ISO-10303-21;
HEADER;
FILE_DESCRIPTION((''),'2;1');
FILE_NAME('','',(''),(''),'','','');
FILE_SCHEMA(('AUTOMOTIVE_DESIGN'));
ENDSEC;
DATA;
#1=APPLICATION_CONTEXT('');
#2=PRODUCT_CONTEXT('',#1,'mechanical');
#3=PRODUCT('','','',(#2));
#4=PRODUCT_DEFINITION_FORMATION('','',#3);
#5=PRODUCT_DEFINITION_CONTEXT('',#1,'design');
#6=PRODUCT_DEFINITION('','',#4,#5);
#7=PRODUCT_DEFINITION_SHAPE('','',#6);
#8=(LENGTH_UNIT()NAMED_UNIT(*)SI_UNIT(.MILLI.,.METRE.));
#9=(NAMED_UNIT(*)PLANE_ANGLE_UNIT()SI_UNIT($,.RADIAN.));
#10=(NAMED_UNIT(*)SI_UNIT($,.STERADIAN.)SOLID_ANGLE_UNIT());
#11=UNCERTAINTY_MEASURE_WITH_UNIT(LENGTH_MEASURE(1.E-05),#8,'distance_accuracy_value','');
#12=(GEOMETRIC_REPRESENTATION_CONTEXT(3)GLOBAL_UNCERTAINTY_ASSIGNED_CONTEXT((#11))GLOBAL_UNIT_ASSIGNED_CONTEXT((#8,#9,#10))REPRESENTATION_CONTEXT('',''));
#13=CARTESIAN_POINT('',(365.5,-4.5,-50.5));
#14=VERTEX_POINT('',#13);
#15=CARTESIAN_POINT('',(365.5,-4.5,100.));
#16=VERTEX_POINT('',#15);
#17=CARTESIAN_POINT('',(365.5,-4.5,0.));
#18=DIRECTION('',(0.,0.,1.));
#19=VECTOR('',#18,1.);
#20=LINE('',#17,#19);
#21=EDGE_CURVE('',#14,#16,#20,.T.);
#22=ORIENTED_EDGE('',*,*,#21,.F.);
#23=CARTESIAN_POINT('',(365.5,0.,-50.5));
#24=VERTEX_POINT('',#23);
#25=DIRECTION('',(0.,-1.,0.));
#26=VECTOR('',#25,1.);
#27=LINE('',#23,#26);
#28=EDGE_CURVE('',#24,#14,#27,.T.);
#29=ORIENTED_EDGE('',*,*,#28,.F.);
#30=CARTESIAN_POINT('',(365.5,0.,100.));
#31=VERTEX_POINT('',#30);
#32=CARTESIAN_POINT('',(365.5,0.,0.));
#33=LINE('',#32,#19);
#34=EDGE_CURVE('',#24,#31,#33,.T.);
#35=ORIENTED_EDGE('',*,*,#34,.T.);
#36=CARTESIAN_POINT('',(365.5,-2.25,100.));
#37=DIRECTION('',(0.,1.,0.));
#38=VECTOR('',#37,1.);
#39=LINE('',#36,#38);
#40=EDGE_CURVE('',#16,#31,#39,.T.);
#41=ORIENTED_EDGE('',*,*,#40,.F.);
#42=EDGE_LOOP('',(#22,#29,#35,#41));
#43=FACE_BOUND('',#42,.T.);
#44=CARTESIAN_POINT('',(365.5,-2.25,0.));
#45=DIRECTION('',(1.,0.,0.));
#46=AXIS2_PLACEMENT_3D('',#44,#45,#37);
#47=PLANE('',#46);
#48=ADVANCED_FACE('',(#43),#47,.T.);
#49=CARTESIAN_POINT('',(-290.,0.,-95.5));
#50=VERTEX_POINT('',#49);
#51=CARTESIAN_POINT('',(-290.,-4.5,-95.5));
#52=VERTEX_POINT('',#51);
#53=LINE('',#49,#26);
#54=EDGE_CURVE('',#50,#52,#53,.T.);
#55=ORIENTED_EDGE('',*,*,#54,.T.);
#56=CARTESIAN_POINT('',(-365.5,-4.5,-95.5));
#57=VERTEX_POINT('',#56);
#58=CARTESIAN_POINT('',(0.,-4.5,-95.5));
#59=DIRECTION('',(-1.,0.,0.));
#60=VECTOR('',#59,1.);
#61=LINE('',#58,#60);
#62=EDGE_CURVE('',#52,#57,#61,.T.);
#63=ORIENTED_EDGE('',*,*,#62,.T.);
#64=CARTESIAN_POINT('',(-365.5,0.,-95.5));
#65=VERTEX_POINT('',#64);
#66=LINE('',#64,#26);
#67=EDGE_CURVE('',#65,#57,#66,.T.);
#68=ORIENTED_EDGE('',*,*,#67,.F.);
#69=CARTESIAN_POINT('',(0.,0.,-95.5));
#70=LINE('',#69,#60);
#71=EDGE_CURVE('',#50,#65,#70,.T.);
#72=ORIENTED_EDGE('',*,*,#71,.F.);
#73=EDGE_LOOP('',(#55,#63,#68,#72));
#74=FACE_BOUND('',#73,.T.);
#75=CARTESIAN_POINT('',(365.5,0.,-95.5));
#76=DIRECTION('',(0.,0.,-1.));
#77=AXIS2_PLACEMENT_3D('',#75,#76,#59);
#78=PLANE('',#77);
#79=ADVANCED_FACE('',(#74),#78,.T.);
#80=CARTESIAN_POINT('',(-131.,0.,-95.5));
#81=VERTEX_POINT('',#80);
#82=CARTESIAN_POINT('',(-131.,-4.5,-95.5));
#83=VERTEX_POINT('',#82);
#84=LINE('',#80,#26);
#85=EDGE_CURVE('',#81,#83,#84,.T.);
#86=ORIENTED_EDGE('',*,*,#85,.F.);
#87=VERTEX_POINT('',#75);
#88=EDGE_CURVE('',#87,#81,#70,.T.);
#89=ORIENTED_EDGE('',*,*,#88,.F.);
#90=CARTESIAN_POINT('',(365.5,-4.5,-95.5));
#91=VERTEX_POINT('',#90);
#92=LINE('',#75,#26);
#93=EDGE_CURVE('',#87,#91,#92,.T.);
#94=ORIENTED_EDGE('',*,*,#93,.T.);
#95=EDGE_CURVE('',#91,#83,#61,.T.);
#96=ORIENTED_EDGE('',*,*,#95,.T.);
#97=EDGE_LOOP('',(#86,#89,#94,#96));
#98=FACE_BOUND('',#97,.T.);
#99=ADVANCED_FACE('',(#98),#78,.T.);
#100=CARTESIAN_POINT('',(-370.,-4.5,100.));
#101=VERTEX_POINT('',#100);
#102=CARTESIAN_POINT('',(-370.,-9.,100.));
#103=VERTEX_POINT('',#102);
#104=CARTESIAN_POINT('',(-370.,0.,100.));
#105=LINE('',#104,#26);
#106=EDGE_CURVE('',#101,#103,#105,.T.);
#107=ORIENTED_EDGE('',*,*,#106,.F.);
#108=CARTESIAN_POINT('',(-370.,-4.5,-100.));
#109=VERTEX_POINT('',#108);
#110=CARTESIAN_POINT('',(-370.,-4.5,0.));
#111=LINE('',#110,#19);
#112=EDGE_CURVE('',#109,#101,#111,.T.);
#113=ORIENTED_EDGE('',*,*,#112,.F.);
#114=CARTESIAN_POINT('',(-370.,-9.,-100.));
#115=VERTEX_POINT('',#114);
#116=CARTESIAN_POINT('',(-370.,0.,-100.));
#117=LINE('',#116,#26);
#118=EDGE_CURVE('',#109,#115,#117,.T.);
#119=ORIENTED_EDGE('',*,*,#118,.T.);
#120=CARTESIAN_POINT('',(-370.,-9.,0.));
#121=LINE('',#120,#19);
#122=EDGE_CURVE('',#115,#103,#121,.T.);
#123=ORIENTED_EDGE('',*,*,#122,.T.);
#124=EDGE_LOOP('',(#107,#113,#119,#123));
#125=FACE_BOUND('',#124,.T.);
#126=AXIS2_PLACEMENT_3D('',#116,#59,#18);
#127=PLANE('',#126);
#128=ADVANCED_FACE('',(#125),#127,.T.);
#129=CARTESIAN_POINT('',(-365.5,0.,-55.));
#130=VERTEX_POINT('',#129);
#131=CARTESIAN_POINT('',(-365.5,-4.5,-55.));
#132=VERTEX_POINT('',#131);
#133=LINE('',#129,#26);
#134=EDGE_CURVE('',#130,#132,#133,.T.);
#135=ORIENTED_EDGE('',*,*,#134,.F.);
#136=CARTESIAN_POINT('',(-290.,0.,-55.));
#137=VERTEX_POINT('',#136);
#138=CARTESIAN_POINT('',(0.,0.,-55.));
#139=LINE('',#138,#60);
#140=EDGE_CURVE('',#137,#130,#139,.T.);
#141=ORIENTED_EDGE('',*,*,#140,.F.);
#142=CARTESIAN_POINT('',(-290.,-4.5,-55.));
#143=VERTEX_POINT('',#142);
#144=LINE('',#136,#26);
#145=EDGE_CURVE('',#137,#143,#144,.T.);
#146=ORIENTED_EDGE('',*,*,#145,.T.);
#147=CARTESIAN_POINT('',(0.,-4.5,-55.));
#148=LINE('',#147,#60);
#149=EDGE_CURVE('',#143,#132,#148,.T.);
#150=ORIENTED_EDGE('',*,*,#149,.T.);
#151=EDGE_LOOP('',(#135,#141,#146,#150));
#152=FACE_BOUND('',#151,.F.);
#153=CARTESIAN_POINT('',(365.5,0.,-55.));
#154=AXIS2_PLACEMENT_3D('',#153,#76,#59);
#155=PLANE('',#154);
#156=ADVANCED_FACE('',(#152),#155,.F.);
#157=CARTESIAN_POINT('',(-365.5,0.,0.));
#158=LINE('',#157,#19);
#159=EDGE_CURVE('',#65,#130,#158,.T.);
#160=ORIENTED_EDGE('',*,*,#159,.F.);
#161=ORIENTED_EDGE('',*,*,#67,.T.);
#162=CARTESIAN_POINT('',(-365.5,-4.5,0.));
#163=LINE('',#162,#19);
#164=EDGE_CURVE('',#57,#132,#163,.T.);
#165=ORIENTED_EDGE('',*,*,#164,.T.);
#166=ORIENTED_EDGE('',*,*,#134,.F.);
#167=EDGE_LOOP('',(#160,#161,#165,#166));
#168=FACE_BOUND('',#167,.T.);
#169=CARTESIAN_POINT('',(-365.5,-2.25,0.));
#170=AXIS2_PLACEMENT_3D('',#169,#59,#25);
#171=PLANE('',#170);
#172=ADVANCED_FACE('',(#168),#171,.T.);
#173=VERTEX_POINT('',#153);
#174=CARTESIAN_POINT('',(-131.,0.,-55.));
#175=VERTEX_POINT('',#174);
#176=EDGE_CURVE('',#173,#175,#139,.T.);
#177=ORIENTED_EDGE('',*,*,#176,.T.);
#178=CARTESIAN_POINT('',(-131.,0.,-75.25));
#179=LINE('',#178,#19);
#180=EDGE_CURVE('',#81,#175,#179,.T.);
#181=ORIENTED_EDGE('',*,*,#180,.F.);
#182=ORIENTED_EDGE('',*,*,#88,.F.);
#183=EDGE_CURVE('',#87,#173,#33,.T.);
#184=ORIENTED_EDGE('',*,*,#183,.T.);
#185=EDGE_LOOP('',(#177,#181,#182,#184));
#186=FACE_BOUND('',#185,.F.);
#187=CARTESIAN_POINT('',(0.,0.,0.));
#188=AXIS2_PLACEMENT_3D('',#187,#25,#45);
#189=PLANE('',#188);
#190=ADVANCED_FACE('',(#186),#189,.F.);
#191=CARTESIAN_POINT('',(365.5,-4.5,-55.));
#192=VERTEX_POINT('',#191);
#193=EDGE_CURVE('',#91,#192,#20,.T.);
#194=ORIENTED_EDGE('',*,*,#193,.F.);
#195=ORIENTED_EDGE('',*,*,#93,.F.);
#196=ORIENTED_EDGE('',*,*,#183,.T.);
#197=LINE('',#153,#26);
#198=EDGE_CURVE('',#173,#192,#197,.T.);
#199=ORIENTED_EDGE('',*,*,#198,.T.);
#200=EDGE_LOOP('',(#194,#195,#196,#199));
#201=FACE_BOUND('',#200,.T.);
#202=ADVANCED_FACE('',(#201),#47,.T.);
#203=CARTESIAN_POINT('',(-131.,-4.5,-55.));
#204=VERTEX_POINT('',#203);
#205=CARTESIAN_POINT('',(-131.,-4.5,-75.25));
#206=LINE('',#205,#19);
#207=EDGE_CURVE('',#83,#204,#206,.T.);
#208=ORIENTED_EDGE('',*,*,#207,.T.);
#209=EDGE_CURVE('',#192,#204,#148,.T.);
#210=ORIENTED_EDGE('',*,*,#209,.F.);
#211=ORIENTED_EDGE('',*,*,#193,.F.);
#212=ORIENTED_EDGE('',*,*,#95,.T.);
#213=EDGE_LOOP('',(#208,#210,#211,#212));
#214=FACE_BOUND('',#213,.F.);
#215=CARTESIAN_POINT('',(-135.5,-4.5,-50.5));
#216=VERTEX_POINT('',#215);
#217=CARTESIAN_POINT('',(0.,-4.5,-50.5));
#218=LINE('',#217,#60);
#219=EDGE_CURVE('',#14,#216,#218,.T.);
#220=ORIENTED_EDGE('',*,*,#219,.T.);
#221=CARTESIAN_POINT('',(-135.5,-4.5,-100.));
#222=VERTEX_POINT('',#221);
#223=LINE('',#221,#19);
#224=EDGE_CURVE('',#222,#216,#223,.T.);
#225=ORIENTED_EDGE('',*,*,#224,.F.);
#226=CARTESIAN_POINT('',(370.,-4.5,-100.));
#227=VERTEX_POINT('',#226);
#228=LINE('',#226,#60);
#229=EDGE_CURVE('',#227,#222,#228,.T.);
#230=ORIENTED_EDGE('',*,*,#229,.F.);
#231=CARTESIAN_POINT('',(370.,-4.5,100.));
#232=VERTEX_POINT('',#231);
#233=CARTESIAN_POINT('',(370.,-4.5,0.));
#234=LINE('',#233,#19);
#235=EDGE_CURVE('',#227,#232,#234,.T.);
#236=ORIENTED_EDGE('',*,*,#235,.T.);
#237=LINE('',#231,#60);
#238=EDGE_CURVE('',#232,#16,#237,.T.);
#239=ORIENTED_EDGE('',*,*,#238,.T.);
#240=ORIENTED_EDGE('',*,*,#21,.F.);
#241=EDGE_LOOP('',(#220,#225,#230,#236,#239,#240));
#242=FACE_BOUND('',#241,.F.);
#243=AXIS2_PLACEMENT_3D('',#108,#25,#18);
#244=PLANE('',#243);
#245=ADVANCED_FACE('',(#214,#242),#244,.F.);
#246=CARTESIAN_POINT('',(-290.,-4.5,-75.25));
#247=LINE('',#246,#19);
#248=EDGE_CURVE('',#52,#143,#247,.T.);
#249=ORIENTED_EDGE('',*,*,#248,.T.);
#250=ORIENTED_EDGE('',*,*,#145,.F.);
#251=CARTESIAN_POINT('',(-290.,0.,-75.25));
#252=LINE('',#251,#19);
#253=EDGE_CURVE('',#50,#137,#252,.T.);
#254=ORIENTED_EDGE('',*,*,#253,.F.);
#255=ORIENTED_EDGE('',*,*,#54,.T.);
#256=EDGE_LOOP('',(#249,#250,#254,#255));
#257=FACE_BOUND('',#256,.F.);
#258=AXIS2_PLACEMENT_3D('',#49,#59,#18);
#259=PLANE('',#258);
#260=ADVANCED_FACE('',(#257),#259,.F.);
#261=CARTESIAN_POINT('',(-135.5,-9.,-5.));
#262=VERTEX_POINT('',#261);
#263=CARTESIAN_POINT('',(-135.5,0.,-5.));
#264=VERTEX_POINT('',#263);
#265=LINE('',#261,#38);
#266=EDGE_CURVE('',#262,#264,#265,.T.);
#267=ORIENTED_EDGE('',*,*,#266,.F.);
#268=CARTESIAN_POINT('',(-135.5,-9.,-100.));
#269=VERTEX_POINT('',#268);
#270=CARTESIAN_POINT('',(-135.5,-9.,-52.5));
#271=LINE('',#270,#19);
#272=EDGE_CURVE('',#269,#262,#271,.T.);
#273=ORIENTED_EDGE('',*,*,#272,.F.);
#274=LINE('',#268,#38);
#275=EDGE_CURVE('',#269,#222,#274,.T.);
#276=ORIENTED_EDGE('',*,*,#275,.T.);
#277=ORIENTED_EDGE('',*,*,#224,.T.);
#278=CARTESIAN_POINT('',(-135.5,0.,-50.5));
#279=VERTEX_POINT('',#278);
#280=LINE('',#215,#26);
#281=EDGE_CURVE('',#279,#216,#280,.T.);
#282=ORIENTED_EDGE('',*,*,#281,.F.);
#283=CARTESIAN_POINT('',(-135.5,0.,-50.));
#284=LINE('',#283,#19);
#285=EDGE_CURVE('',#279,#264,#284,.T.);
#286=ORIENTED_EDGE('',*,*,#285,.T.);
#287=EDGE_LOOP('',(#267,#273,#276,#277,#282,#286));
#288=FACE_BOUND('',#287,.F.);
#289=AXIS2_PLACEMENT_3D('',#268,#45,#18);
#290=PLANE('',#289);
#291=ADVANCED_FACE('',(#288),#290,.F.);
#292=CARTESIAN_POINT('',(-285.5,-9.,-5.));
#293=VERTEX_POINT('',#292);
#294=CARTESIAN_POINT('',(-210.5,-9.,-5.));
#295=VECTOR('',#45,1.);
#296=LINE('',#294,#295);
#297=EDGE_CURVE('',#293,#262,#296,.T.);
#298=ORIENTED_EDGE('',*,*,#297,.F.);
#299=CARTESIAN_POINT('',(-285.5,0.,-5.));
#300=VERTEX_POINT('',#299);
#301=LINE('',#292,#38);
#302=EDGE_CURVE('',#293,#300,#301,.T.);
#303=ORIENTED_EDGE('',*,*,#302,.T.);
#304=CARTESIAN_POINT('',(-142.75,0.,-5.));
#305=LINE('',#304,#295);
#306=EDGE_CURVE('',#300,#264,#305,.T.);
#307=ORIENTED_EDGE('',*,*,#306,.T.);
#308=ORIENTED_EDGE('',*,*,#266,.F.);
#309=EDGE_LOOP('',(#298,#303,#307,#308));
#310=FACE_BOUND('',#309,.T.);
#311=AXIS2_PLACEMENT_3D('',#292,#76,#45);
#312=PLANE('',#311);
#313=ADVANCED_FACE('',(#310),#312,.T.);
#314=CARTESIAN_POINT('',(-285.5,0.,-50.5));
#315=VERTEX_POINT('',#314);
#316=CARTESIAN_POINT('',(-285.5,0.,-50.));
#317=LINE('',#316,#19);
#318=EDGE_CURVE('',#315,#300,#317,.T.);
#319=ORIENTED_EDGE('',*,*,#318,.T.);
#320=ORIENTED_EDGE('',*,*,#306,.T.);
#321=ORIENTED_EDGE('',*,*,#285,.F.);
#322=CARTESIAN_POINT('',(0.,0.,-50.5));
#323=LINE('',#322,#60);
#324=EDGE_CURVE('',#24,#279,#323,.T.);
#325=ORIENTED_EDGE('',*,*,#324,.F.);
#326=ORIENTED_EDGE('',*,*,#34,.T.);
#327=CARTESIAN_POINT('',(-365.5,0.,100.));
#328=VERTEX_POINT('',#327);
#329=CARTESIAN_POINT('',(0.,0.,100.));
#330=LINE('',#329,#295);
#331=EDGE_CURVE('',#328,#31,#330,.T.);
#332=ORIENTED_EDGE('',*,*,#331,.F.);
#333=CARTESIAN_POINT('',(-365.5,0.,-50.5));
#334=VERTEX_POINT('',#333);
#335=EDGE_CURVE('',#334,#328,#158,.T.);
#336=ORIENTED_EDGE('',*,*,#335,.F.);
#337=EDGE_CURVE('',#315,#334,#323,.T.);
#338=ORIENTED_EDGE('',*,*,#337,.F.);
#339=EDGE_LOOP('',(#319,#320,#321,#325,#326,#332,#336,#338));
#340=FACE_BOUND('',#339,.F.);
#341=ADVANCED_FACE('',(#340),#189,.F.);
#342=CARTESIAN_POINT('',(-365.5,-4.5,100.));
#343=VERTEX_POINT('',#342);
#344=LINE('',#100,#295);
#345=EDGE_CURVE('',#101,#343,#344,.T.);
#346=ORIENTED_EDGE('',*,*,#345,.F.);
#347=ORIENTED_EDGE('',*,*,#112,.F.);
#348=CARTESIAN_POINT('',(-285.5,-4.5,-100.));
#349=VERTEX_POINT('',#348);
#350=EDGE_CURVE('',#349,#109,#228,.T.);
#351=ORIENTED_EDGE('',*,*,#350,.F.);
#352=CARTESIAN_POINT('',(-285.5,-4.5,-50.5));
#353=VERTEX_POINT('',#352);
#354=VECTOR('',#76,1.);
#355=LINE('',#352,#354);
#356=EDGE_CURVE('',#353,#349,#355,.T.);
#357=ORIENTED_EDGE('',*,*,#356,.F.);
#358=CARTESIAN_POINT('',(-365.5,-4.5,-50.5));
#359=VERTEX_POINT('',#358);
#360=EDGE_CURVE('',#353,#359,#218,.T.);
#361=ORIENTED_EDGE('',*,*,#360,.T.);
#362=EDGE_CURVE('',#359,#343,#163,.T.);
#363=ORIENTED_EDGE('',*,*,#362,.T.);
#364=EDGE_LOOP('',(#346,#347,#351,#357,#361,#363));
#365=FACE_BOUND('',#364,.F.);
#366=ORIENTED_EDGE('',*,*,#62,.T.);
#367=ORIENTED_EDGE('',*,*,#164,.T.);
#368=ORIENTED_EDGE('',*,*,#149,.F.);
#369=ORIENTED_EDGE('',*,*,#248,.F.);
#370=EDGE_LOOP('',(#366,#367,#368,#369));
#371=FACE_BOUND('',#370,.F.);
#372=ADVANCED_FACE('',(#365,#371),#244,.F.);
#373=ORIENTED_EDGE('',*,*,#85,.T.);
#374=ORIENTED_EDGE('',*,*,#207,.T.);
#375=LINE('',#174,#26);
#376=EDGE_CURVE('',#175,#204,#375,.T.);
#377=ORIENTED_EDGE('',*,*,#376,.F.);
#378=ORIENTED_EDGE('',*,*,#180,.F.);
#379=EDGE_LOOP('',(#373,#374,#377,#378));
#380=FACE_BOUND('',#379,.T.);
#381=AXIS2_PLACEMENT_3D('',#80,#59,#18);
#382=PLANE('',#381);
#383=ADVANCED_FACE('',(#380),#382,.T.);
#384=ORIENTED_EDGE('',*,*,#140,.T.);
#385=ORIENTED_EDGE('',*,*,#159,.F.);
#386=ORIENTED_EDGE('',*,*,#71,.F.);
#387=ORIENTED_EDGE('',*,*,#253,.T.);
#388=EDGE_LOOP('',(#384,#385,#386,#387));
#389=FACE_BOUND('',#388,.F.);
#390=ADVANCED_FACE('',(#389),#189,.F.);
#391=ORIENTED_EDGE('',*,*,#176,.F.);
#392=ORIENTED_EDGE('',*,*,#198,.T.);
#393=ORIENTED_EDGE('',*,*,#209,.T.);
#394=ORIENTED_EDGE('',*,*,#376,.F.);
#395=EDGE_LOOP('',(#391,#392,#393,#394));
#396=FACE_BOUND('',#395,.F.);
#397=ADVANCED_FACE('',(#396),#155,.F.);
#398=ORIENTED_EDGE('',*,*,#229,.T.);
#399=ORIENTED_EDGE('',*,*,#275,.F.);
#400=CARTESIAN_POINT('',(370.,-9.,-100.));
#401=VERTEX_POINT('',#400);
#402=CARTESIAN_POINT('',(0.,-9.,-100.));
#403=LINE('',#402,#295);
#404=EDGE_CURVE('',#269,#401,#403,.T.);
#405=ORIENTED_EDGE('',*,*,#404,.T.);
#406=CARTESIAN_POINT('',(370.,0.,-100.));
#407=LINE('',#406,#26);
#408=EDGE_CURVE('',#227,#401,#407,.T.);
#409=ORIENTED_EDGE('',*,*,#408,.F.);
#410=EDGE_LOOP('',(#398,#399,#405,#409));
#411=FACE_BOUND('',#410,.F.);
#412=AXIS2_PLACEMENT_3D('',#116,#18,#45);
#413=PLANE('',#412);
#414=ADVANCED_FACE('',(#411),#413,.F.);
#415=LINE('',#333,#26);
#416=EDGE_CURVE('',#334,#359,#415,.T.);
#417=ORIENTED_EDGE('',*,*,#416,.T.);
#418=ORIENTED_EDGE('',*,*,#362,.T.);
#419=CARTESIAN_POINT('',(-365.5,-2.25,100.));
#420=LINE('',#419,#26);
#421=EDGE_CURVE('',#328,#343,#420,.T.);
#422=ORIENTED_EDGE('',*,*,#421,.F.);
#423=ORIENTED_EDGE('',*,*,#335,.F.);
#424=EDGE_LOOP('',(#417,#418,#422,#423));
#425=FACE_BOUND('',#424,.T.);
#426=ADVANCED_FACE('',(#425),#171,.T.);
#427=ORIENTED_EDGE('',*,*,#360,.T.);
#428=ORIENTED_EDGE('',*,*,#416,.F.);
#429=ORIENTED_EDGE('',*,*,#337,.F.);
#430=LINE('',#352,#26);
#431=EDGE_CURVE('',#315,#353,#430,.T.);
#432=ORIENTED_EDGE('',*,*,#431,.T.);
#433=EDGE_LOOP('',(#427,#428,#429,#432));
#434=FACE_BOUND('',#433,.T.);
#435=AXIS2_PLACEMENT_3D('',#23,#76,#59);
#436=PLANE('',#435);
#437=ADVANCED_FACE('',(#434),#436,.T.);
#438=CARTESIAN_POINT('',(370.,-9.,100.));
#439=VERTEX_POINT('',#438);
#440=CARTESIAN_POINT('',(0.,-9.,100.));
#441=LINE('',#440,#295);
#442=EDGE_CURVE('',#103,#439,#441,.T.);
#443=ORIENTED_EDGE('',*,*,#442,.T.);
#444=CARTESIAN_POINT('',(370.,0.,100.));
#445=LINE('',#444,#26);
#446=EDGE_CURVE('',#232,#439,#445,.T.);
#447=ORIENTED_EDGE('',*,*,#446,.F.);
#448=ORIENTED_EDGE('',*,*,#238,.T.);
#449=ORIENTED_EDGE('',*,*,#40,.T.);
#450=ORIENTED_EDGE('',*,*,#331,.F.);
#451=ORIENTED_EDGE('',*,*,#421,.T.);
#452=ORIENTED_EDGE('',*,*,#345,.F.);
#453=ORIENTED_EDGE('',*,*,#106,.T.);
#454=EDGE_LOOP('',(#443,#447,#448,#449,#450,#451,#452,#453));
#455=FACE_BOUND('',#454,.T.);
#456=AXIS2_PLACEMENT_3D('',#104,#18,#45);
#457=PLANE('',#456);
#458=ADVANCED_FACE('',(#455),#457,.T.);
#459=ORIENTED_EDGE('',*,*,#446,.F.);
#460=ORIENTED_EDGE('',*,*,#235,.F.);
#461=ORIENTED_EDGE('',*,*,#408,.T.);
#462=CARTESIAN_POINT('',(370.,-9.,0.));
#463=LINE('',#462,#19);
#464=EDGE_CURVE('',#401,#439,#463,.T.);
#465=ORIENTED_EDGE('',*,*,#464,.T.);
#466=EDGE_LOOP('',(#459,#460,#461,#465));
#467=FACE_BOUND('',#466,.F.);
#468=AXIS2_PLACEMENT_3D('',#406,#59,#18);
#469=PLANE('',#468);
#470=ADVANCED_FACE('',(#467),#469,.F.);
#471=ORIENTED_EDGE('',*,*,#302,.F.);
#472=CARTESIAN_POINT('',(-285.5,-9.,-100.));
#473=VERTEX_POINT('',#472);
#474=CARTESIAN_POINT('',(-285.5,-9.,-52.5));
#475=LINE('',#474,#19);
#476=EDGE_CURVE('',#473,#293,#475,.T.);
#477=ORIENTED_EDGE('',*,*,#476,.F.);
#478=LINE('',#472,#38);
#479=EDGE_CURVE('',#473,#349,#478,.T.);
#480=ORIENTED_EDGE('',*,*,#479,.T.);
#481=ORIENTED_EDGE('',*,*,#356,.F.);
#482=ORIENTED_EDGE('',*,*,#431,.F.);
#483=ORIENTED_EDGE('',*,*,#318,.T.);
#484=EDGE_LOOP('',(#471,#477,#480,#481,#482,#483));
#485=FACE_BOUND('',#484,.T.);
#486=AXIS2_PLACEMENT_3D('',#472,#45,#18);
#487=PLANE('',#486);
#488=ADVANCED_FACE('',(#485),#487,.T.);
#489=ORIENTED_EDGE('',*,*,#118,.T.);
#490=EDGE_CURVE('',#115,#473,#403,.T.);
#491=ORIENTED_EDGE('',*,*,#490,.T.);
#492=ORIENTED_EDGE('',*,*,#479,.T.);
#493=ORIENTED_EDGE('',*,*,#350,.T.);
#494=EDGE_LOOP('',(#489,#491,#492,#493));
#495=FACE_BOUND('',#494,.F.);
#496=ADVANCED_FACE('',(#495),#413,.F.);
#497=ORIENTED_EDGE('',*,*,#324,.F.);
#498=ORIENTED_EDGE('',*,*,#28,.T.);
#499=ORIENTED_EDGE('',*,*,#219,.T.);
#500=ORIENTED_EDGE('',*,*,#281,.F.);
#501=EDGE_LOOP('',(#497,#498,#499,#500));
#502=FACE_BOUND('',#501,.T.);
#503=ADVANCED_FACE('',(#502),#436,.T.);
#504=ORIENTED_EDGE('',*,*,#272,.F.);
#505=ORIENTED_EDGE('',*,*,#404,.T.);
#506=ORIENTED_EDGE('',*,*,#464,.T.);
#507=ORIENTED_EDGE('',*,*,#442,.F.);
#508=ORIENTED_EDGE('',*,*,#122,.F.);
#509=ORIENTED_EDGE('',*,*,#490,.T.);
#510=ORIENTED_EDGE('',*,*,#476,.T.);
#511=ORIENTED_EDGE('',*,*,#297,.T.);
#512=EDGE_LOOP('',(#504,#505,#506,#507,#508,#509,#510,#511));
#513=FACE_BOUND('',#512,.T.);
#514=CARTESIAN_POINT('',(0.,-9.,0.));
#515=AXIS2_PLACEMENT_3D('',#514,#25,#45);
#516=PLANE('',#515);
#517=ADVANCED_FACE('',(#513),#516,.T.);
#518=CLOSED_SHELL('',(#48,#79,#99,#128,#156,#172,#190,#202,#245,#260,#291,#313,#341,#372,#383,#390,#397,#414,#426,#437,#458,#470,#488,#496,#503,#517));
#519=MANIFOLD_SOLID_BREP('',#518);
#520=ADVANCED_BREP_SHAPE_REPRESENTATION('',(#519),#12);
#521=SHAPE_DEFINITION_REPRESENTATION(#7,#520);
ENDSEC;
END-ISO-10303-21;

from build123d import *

# Parameters (mm, degrees)
F0_W      = 740
F0_H      = 200
F1_DEPTH  = 9
F2_W      = 4.5
F2_H      = 200
F3_DEPTH  = 4.5
F4_W      = 4.5
F4_H      = 200
F5_DEPTH  = 4.5
F6_W      = 731
F6_H      = 4.5
F7_DEPTH  = 4.5
F8_W      = 731
F8_H      = 4.5
F9_DEPTH  = 4.5
F10_W     = 150
F10_H     = 95
F11_DEPTH = 25
F12_W     = 4.5
F12_H     = 40.5
F13_DEPTH = 4.5
F14_W     = 4.5
F14_H     = 40.5
F15_DEPTH = 4.5


with BuildPart() as f1:
    # F0 (on Front) → F1 (new body)
    with BuildSketch(Plane.XZ):
        Rectangle(F0_W, F0_H)
    extrude(amount=F1_DEPTH)

    # F2 (on face) → F3 (cut)
    with BuildSketch(Plane.YZ.offset(370)):
        with Locations((-2.25, 0)):
            Rectangle(F2_W, F2_H)
    extrude(amount=-F3_DEPTH, mode=Mode.SUBTRACT)

    # F4 (on face) → F5 (cut)
    with BuildSketch(Plane(origin=(-370, 0, 0), x_dir=(0, -1, 0), z_dir=(-1, 0, 0))):
        with Locations((2.25, 0)):
            Rectangle(F4_W, F4_H)
    extrude(amount=-F5_DEPTH, mode=Mode.SUBTRACT)

    # F6 (on face) → F7 (cut)
    with BuildSketch(Plane(origin=(0, 0, 0), x_dir=(-1, 0, 0), z_dir=(0, 1, 0))):
        with Locations((0, -52.75)):
            Rectangle(F6_W, F6_H)
    extrude(amount=-F7_DEPTH, mode=Mode.SUBTRACT)

    # F8 (on face) → F9 (cut)
    with BuildSketch(Plane(origin=(0, 0, 0), x_dir=(-1, 0, 0), z_dir=(0, 1, 0))):
        with Locations((0, -97.75)):
            Rectangle(F8_W, F8_H)
    extrude(amount=-F9_DEPTH, mode=Mode.SUBTRACT)

    # F10 (on face) → F11 (cut)
    with BuildSketch(Plane.XZ.offset(9)):
        with Locations((-210.5, -52.5)):
            Rectangle(F10_W, F10_H)
    extrude(amount=-F11_DEPTH, mode=Mode.SUBTRACT)

    # F12 (on face) → F13 (cut)
    with BuildSketch(Plane(origin=(0, 0, 0), x_dir=(-1, 0, 0), z_dir=(0, 1, 0))):
        with Locations((133.25, -75.25)):
            Rectangle(F12_W, F12_H)
    extrude(amount=-F13_DEPTH, mode=Mode.SUBTRACT)

    # F14 (on face) → F15 (cut)
    with BuildSketch(Plane(origin=(0, 0, 0), x_dir=(-1, 0, 0), z_dir=(0, 1, 0))):
        with Locations((287.75, -75.25)):
            Rectangle(F14_W, F14_H)
    extrude(amount=-F15_DEPTH, mode=Mode.SUBTRACT)


solid = f1.part
